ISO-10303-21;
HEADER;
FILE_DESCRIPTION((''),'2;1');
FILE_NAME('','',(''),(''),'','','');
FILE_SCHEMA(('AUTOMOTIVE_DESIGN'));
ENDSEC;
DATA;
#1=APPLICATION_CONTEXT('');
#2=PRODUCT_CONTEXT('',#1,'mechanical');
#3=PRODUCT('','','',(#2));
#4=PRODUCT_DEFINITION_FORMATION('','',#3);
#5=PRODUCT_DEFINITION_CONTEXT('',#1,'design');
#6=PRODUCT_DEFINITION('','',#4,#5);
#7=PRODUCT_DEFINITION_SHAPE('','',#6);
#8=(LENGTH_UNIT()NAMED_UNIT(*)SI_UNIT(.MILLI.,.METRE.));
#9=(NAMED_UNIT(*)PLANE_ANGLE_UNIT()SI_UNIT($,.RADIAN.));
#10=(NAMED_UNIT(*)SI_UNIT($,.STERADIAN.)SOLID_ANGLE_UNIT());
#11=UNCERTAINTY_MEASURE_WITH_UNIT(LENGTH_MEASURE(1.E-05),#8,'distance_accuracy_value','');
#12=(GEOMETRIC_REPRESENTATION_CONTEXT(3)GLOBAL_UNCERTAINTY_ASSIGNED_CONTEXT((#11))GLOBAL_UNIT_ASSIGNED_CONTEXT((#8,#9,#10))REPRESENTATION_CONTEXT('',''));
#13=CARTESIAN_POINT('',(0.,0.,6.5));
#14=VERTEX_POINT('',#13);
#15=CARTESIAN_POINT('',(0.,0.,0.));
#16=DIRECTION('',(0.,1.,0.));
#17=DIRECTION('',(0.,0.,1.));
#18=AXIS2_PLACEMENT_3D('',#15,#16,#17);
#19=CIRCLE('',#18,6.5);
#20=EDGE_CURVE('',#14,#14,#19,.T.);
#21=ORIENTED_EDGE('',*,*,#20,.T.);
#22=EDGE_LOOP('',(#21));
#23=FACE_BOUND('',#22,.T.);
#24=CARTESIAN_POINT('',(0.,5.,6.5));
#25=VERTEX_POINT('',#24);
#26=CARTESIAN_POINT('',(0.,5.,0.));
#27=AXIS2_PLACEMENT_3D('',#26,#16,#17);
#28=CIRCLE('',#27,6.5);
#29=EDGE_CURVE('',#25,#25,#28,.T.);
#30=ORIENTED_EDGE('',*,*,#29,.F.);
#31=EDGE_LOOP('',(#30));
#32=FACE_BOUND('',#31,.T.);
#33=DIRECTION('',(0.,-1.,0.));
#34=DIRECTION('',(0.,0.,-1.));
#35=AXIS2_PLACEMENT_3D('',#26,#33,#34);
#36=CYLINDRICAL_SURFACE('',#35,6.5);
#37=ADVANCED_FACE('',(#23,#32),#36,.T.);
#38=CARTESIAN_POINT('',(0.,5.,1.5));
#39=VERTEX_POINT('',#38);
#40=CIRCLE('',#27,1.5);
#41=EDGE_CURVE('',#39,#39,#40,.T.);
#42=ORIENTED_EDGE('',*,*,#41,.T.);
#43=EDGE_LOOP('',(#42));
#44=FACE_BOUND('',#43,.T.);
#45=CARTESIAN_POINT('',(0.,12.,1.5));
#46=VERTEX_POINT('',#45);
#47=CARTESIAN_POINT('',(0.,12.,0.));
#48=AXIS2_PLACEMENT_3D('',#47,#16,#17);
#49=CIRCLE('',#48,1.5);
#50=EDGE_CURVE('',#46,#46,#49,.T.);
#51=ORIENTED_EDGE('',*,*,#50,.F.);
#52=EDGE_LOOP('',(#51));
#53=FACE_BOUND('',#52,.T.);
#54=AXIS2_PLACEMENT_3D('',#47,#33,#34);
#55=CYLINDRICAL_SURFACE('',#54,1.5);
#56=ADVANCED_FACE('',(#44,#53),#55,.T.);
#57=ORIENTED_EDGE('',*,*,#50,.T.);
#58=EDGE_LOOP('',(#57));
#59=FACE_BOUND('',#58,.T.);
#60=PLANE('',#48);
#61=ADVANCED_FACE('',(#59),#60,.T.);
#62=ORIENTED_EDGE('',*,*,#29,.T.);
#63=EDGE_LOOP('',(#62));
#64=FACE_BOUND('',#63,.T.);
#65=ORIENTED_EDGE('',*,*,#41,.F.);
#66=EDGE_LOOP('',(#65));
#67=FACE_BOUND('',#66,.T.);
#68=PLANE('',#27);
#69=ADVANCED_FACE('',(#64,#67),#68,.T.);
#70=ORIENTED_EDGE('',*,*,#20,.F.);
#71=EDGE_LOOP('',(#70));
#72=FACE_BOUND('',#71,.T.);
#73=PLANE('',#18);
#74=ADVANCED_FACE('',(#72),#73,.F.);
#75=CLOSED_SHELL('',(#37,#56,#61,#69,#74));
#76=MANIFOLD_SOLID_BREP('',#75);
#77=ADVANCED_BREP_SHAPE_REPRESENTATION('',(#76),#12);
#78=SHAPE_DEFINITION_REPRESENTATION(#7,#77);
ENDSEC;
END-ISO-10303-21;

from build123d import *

# Parameters (mm, degrees)
SKIZZE1_R                       = 6.5
AUFSATZ_LINEAR_AUSTRAGEN1_DEPTH = 5
SKIZZE2_R                       = 1.5
AUFSATZ_LINEAR_AUSTRAGEN2_DEPTH = 7


with BuildPart() as part:
    # Skizze1 → Aufsatz-Linear austragen1 (new body)
    with BuildSketch(Plane(origin=(0, 0, 0), x_dir=(1, 0, 0), z_dir=(0, 1, 0))):
        with Locations(Location((0, 0, 0), (0, 0, 270))):
            Circle(SKIZZE1_R)
    extrude(amount=AUFSATZ_LINEAR_AUSTRAGEN1_DEPTH)

    # Skizze2 → Aufsatz-Linear austragen2 (add)
    with BuildSketch(Plane(origin=(0, 5, 0), x_dir=(1, 0, 0), z_dir=(0, 1, 0))):
        with Locations(Location((0, 0, 0), (0, 0, 270))):
            Circle(SKIZZE2_R)
    extrude(amount=AUFSATZ_LINEAR_AUSTRAGEN2_DEPTH)


solid = part.part
